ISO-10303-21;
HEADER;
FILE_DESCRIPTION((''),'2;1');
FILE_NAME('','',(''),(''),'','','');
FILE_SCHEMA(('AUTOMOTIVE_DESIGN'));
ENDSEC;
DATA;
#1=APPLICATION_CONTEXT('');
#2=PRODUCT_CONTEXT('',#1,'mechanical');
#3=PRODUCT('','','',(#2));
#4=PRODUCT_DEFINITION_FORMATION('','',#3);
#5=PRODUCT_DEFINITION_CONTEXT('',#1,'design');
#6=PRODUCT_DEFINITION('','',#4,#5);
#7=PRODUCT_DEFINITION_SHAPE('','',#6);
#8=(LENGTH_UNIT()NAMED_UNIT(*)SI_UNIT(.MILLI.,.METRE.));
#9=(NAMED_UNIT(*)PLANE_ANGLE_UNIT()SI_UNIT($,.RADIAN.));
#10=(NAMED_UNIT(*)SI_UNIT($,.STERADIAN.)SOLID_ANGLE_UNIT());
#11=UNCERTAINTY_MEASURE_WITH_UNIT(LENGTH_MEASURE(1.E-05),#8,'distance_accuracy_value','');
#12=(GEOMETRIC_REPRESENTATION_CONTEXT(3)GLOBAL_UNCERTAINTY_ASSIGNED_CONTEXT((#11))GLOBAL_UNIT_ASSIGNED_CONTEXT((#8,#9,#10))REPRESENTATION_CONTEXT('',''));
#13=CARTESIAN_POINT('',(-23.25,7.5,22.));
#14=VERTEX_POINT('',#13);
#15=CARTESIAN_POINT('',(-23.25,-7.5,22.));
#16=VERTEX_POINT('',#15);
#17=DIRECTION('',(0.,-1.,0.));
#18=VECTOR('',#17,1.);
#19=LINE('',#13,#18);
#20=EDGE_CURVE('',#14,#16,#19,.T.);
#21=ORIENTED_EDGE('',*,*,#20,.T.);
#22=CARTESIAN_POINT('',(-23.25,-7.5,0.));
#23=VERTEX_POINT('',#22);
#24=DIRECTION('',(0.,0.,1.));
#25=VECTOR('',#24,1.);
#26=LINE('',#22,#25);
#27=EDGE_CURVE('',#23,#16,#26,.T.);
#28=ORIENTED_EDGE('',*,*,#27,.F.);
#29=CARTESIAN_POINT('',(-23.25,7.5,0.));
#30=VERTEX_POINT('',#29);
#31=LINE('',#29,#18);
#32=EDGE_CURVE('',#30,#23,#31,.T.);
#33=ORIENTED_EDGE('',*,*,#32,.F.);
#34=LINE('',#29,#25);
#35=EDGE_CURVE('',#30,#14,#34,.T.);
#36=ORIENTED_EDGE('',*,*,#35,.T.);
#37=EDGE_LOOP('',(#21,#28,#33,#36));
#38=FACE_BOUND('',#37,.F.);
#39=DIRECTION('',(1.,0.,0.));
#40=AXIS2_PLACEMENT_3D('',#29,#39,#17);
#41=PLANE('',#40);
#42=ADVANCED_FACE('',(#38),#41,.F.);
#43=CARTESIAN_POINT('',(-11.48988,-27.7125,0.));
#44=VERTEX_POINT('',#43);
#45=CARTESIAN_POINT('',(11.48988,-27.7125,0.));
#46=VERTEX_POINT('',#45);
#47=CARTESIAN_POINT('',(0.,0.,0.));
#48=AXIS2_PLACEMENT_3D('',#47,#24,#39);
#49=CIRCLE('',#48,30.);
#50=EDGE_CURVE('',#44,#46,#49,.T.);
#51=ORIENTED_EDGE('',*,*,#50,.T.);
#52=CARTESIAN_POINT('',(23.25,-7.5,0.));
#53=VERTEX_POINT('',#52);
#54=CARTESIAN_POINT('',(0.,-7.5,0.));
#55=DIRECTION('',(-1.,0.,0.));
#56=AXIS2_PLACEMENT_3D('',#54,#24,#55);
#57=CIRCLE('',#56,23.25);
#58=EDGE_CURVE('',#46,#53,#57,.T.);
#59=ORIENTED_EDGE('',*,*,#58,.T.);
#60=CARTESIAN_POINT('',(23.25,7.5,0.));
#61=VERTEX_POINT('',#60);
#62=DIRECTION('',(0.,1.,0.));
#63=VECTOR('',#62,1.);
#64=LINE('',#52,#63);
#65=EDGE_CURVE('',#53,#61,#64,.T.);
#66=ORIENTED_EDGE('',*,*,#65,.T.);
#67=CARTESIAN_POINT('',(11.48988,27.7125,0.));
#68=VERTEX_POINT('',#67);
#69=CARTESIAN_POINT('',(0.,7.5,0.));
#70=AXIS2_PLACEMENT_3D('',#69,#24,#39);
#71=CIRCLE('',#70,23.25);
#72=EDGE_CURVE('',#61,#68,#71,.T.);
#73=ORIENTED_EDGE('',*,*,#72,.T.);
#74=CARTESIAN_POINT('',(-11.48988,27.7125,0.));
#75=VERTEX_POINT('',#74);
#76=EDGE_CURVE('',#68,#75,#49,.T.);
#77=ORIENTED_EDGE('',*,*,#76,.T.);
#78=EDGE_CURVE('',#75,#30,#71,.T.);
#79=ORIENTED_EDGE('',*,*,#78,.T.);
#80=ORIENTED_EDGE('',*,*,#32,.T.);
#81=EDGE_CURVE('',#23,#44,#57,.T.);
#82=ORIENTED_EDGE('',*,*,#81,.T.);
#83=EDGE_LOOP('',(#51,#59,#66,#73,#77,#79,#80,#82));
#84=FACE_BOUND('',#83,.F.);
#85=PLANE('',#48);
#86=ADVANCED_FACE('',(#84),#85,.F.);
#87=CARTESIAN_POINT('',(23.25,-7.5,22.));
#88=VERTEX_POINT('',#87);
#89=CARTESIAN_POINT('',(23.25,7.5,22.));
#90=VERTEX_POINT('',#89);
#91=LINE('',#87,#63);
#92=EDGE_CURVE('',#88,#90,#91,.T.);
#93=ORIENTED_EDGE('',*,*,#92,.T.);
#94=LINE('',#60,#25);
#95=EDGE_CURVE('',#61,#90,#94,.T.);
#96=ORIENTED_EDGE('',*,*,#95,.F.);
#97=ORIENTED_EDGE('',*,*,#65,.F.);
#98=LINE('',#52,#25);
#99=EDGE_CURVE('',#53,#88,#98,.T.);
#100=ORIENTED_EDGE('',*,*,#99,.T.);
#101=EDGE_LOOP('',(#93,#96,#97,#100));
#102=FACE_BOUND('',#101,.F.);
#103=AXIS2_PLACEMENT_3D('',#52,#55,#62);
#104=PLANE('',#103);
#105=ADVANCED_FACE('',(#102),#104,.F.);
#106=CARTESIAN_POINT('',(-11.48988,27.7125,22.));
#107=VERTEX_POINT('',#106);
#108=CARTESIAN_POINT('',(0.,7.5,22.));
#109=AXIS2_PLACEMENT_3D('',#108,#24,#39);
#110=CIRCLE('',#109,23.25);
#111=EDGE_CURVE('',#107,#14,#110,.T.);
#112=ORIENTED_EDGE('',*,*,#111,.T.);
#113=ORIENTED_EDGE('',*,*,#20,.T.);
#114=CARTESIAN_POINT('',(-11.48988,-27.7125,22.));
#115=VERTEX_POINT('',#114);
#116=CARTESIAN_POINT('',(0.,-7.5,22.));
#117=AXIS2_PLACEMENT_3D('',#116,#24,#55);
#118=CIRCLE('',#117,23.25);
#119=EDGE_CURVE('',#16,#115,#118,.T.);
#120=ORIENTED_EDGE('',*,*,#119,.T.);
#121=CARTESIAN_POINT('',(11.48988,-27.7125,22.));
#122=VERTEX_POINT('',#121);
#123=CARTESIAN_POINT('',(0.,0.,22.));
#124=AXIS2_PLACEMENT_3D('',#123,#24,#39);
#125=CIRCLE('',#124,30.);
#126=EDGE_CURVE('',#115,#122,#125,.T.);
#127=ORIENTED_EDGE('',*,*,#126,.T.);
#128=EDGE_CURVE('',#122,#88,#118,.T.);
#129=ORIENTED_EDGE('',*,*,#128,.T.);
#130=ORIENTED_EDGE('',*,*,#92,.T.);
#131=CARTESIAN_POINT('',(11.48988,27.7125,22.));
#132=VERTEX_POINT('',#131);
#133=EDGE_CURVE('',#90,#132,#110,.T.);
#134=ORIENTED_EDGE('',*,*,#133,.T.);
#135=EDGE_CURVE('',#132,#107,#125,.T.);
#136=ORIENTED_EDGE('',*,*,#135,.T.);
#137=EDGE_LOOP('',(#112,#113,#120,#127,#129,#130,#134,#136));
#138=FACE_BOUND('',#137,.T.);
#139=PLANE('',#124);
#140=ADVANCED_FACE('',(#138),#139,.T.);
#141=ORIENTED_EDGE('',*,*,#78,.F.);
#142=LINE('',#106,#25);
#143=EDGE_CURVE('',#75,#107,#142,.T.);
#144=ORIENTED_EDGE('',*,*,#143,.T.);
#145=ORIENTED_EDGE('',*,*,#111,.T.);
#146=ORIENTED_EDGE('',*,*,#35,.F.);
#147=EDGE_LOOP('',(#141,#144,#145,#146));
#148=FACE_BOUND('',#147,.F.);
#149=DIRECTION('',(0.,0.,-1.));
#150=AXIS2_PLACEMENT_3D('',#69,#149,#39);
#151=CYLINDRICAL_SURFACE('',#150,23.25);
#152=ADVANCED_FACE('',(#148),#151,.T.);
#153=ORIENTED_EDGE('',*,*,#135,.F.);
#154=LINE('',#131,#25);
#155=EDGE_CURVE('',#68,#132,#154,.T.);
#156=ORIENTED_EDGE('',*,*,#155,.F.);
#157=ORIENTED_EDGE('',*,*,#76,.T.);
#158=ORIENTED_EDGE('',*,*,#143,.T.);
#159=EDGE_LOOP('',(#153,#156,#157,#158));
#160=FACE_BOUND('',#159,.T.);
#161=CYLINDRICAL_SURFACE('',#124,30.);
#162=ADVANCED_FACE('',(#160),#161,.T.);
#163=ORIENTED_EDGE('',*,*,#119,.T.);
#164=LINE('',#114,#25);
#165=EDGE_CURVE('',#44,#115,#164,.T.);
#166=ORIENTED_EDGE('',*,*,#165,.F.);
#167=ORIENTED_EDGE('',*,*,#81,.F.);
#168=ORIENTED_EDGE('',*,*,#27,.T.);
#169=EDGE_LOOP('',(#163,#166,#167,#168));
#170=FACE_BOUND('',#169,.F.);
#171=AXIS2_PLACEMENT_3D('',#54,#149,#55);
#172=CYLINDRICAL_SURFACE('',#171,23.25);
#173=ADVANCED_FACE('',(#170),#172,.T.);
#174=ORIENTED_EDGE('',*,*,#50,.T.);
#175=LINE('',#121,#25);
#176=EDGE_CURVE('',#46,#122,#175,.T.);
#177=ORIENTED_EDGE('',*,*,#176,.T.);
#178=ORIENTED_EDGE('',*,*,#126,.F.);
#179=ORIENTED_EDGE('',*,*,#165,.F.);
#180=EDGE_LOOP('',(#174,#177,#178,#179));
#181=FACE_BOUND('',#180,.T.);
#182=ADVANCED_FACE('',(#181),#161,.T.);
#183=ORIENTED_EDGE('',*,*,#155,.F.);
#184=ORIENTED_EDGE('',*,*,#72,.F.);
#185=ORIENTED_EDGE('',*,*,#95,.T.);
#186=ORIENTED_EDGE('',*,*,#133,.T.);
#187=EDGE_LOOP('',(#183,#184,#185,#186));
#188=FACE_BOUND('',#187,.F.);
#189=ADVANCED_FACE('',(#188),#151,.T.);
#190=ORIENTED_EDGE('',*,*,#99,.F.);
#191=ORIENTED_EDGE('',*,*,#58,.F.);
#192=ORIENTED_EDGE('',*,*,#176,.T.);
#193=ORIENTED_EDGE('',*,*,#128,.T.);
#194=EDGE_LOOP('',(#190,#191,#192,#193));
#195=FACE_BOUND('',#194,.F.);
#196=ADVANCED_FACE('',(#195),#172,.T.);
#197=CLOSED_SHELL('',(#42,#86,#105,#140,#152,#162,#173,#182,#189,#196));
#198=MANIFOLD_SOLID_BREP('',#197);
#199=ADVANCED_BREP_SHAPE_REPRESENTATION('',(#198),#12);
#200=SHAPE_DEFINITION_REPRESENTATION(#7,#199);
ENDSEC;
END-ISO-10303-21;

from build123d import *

# Parameters (mm, degrees)
F3_DEPTH = 22
F4_R     = 30
F5_DEPTH = 25


with BuildPart() as f3:
    # F2 (on Top) → F3 (new body)
    with BuildSketch(Plane.XY):
        with BuildLine():
            Line((23.25, -7.5), (23.25, 7.5))
            ThreePointArc((23.25, 7.5), (0, 30.75), (-23.25, 7.5))
            Line((-23.25, 7.5), (-23.25, -7.5))
            ThreePointArc((-23.25, -7.5), (0, -30.75), (23.25, -7.5))
        make_face()
    extrude(amount=F3_DEPTH)


with BuildPart() as f5:
    # F4 (on face) → F5 (new body)
    with BuildSketch(Plane.XY.offset(22)):
        Circle(F4_R)
    extrude(amount=-F5_DEPTH)

    # F6: intersect F3
    add(f3.part, mode=Mode.INTERSECT)


solid = f5.part
